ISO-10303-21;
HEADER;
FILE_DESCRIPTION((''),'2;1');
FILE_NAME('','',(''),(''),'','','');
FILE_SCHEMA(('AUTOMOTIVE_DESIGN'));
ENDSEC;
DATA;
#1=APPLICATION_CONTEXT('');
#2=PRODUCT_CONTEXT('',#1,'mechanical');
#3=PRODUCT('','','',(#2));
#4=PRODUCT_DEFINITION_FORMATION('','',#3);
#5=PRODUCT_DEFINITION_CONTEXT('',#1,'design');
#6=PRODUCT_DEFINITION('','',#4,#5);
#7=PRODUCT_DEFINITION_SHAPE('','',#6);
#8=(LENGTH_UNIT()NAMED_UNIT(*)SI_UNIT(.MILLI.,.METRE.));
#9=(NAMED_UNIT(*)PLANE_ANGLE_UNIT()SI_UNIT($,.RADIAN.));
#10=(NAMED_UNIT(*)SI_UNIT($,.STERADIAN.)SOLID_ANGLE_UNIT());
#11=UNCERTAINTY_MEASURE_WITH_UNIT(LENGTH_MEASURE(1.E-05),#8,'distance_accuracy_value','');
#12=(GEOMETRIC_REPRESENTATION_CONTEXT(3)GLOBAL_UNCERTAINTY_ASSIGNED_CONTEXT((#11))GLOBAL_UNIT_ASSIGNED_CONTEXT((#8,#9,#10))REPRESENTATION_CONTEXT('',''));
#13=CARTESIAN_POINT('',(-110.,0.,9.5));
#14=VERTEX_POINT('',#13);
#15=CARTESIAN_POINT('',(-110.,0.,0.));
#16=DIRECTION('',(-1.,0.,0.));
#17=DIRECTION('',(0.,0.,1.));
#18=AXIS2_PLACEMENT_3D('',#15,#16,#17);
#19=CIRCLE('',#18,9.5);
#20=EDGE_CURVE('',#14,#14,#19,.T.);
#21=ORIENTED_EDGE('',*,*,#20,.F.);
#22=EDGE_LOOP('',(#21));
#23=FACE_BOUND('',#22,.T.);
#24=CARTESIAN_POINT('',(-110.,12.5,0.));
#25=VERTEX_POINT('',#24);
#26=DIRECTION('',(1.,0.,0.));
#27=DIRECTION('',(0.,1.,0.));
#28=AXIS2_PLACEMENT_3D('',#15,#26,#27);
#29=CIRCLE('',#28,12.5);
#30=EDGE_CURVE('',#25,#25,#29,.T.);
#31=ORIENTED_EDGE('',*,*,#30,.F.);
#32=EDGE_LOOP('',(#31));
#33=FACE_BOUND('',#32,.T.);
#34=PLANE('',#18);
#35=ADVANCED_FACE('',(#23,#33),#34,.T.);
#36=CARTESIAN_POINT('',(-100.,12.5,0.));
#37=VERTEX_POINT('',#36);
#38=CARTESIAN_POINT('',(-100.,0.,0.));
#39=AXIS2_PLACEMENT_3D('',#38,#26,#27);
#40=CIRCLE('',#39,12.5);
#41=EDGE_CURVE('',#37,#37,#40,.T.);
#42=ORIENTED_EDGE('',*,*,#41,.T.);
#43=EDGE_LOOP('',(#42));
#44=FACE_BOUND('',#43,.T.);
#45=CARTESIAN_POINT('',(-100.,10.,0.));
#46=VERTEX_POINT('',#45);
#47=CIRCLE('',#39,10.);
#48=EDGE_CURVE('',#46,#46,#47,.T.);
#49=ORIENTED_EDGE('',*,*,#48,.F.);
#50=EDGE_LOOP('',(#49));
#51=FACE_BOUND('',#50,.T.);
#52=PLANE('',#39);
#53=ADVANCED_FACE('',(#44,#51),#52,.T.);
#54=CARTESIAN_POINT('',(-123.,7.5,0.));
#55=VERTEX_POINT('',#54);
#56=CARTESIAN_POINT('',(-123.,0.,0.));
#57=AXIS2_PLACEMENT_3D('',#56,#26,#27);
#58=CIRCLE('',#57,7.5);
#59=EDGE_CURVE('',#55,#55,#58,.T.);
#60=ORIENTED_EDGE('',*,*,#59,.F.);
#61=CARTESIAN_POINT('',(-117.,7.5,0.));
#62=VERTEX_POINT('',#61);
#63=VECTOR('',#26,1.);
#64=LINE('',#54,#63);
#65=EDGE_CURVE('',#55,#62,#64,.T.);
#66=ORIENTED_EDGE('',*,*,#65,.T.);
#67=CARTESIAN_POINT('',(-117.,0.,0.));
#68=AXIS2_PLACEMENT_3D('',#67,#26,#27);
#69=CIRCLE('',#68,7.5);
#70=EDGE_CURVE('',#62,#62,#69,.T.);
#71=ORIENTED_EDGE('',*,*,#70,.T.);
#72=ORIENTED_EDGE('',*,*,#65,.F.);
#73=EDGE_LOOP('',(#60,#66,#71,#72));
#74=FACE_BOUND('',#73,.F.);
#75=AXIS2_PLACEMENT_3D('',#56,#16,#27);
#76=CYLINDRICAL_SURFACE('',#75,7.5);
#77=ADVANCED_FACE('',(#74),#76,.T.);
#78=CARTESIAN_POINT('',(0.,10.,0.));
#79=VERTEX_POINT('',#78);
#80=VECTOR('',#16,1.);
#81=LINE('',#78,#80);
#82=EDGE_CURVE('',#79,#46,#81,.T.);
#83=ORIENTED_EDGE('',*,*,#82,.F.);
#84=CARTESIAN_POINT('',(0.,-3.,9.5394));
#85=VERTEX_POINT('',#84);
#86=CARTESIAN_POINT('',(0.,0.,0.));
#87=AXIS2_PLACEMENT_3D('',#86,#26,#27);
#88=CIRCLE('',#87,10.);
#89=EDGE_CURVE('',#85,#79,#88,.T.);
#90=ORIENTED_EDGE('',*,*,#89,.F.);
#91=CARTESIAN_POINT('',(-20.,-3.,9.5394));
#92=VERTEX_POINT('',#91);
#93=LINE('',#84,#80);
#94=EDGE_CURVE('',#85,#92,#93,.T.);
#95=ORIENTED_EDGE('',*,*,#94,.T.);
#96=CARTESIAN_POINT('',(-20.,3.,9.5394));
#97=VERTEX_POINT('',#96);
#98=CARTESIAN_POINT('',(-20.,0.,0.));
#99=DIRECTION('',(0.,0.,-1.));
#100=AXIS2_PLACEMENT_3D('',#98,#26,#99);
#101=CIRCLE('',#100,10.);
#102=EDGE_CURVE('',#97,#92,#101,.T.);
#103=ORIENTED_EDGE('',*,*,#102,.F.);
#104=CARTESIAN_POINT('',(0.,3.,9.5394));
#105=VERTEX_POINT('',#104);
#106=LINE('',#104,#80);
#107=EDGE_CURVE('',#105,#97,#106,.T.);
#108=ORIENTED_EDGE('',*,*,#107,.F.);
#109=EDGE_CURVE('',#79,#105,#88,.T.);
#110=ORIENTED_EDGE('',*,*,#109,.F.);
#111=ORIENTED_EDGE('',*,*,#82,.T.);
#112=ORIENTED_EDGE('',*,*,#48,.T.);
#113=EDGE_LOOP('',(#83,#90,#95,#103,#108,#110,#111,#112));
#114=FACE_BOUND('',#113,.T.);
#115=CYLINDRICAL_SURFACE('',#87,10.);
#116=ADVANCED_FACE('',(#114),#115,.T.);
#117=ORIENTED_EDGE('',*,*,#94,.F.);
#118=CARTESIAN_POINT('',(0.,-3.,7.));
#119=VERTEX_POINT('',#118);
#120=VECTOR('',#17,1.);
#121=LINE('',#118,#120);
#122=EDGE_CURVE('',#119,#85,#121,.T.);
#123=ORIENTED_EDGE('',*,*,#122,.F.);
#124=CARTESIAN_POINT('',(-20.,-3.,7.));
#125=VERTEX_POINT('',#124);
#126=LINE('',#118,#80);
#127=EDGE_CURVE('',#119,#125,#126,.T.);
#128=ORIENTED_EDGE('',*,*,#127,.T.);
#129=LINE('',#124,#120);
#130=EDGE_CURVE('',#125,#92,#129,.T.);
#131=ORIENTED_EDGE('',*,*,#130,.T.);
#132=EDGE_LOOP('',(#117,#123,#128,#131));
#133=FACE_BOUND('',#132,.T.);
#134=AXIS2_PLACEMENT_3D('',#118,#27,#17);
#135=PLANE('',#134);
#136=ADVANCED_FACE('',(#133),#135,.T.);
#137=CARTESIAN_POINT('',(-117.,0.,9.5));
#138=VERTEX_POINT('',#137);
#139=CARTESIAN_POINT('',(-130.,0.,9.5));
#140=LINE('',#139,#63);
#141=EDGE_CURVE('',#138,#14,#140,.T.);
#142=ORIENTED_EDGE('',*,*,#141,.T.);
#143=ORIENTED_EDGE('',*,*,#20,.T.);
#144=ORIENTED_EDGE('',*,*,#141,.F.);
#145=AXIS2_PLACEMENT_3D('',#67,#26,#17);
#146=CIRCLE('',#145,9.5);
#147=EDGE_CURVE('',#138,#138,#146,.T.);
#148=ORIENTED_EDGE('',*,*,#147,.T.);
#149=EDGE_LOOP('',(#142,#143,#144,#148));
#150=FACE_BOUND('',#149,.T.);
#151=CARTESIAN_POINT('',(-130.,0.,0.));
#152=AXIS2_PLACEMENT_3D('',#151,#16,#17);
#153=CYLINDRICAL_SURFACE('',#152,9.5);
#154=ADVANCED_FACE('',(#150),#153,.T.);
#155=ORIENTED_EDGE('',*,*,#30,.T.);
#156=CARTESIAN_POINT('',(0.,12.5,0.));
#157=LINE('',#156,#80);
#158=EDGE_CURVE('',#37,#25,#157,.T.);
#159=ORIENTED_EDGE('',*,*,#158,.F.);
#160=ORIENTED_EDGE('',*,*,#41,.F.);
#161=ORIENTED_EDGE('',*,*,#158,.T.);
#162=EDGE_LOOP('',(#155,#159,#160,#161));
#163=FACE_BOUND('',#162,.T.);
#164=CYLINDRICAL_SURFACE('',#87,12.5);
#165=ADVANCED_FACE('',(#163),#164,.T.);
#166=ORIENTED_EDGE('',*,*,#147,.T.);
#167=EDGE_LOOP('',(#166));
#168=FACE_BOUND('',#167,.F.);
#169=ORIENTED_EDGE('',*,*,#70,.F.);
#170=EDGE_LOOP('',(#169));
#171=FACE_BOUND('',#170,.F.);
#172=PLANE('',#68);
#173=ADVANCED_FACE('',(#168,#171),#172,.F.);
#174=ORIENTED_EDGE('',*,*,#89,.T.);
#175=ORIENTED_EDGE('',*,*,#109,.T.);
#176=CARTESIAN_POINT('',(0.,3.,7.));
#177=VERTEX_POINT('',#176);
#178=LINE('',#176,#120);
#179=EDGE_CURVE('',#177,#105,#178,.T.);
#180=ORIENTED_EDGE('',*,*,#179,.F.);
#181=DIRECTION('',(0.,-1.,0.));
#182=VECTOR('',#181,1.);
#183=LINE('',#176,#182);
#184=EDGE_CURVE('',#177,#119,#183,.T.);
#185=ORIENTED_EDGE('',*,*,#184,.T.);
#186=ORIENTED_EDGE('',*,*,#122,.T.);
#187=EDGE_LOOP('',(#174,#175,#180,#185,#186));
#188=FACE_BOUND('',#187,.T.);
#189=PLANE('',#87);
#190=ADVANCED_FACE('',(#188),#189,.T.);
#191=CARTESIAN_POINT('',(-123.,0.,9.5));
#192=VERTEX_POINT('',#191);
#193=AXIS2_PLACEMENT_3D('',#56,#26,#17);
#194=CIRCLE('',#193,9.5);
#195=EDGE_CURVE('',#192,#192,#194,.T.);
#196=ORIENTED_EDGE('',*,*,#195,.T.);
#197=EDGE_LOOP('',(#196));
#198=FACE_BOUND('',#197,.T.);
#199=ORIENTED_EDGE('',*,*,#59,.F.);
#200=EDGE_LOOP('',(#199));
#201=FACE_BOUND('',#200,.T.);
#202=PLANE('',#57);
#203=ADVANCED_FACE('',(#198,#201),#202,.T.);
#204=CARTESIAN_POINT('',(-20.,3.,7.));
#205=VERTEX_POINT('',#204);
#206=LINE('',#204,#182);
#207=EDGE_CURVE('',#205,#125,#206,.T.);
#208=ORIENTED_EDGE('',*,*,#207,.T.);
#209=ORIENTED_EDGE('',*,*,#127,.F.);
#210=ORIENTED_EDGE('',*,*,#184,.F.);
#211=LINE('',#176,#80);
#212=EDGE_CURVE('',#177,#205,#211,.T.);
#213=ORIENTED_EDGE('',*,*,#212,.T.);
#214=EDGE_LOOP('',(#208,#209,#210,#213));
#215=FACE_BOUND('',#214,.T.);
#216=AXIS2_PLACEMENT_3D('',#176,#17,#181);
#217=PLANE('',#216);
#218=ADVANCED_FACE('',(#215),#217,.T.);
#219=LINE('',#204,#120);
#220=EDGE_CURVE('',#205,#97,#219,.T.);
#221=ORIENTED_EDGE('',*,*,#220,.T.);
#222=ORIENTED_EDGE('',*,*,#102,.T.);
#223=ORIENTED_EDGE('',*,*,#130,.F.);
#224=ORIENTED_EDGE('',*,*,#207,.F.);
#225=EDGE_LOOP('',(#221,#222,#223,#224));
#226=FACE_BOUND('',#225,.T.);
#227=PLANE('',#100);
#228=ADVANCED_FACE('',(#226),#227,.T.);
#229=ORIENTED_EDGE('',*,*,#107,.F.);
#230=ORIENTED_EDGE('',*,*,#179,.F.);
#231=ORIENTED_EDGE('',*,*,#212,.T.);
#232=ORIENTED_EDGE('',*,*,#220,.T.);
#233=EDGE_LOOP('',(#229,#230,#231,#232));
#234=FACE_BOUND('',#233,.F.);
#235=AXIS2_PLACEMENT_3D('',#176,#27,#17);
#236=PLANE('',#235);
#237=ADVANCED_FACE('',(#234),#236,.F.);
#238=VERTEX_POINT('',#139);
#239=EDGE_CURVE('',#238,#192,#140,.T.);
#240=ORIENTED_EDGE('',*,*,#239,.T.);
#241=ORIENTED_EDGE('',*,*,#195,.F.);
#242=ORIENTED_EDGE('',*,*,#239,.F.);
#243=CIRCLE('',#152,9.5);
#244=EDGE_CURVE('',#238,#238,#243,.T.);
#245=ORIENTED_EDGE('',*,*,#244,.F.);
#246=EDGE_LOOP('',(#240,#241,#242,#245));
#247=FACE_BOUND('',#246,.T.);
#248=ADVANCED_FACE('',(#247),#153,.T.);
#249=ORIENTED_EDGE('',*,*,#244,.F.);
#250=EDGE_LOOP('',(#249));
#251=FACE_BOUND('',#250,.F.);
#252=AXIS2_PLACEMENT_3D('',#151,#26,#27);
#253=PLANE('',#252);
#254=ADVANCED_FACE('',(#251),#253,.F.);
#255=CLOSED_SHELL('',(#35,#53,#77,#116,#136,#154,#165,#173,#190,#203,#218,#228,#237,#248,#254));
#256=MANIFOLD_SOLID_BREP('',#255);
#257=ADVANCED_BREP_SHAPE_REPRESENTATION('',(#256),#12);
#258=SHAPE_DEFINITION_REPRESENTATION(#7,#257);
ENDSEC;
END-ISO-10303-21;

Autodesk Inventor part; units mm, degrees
ref_plane "XZ Plane" through (0, 0, 0) normal (0, 1, 0) x (-1, 0, 0)
ref_plane "XY Plane" through (0, 0, 0) normal (0, 0, 1) x (1, 0, 0)
sketch "Sketch1" plane through (0, 0, 0) normal (1, 0, 0) x (0, 1, 0)
  circle A0 centre (0, 0) radius 12.5
  circle A1 centre (0, 0) radius 10
  dimension "d0" = 25
  dimension "d1" = 20
extrude "Extrusion1" add sketch "Sketch1" against normal blind 130 contours A0 | A1
extrude "Extrusion2" cut sketch "Sketch1" against normal blind 100
ref_plane "Work Plane2" through (-123, 0, 0) normal (1, 0, 0) x (0, 1, 0)
sketch "Sketch4" plane through (-123, 0, 0) normal (1, 0, 0) x (0, 1, 0)
  circle A0 centre (0, 0) radius 7.5
  circle A1 centre (0, 0) radius 9.5
  dimension "d11" = 15
  dimension "d20" = 19
extrude "Extrusion4" cut sketch "Sketch4" along normal blind 6
sketch "Sketch5" plane through (0, 0, 0) normal (1, 0, 0) x (0, 0, -1)
  line L0 (-7, 3) -> (-9.5394, 3)
  line L1 (-7, 3) -> (-7, -3)
  line L2 (-7, -3) -> (-9.5394, -3)
  circle A0 centre (0, 0) radius 10 projected
  arc A1 (-9.5394, 3) -> (-9.5394, -3) centre (0, 0) ccw
  point P0 (-7, 0)
  dimension "d14" = 7
  dimension "d15" = 6
  dimension "d16" = 3
extrude "Extrusion5" cut sketch "Sketch5" against normal blind 20 contours L1 L2 A0 L0 picked at (-7.9828, -0.338)
sketch "Sketch6" plane through (-130, 0, 0) normal (-1, 0, 0) x (0, 0, 1)
  circle A0 centre (0, 0) radius 12.5 projected
  circle A1 centre (0, 0) radius 9.5
  dimension "d21" = 19
extrude "Extrusion6" cut sketch "Sketch6" against normal blind 20
properties part number "shaft" material "Stainless Steel, 440C"
